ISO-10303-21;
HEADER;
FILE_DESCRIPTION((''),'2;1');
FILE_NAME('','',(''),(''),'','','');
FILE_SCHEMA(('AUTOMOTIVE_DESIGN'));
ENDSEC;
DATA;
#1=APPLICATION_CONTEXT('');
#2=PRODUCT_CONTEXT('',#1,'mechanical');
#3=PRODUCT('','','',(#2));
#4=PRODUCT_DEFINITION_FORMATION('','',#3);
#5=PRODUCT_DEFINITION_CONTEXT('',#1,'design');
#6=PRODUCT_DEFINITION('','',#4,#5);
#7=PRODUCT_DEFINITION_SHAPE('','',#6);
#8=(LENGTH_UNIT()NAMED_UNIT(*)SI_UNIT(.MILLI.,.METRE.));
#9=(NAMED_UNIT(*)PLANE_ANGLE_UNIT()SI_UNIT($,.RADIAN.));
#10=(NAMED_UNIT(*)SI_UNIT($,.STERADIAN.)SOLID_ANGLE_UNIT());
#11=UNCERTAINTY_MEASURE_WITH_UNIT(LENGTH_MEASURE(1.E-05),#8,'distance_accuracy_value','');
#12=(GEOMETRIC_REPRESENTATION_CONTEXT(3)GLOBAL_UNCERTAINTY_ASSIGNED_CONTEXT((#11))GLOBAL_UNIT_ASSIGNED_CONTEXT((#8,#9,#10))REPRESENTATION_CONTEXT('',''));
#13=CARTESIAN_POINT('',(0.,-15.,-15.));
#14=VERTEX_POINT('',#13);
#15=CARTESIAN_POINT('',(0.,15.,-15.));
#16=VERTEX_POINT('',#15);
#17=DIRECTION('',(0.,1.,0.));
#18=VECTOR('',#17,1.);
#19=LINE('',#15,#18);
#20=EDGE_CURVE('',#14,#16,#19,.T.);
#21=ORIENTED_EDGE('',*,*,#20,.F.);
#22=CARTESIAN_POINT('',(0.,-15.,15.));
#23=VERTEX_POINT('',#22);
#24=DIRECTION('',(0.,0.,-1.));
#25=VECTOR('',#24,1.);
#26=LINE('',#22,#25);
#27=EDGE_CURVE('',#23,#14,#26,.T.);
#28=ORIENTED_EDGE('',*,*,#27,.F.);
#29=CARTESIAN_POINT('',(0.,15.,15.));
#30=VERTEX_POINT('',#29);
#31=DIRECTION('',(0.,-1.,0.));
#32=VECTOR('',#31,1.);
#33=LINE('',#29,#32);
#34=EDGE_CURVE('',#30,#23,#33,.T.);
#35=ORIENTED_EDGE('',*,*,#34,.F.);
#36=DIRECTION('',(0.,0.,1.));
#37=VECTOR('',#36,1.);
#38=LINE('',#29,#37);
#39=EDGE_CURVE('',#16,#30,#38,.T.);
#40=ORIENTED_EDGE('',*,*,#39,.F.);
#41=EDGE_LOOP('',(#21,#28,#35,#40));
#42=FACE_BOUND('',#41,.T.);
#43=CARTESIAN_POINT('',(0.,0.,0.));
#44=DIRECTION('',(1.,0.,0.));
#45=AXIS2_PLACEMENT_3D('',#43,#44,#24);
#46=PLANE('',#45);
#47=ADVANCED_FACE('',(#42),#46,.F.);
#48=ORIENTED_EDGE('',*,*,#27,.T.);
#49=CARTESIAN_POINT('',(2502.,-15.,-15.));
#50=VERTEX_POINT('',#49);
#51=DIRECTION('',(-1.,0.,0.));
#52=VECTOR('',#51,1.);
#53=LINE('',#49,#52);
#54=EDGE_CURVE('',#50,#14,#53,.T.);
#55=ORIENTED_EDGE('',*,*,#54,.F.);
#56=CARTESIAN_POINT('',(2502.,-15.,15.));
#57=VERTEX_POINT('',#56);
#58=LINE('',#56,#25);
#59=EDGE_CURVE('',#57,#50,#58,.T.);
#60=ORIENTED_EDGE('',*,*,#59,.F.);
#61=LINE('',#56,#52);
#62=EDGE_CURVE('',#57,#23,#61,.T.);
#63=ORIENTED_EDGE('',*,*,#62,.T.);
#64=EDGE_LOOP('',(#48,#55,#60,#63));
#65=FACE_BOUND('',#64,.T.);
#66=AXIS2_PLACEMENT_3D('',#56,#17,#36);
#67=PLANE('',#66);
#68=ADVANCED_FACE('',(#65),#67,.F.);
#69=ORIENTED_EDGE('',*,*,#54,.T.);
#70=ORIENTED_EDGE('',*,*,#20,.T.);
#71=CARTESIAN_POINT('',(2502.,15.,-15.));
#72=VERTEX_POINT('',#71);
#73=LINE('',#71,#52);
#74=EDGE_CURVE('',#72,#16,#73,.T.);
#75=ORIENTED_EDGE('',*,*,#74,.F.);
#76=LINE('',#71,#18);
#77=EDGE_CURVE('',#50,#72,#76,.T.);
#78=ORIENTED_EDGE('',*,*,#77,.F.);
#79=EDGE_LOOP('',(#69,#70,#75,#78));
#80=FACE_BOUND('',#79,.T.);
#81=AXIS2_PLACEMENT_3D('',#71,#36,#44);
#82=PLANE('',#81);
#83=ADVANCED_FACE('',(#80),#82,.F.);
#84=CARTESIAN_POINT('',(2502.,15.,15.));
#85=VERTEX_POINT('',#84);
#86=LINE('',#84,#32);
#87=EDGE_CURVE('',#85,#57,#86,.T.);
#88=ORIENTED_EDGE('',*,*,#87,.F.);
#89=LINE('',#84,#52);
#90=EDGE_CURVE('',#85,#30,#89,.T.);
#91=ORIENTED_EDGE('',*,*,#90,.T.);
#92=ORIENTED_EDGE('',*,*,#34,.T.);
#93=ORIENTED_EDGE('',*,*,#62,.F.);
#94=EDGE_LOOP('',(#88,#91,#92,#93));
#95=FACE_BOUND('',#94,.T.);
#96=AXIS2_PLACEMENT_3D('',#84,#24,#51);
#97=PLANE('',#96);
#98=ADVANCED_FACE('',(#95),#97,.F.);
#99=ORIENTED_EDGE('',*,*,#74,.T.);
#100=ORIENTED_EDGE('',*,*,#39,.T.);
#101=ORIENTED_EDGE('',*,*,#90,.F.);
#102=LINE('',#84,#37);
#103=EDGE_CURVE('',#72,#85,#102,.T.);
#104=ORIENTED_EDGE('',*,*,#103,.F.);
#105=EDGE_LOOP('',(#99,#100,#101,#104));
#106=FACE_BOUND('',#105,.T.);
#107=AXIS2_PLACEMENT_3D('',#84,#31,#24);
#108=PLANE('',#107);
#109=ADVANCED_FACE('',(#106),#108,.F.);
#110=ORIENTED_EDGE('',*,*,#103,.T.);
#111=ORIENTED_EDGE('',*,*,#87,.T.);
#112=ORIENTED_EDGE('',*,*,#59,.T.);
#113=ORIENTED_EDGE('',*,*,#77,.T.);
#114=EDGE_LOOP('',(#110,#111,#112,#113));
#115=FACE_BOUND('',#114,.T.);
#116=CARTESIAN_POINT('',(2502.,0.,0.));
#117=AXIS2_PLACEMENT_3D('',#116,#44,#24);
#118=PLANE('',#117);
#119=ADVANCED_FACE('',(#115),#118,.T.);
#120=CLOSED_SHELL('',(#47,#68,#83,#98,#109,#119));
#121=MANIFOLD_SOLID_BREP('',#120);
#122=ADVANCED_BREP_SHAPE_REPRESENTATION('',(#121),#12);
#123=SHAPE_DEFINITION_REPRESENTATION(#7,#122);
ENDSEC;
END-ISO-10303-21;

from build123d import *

# Parameters (mm, degrees)
SKETCH_1_W      = 30
SKETCH_1_H      = 30
EXTRUDE_1_DEPTH = 2502


with BuildPart() as part:
    # 草图1 → 凸台-拉伸1 (new body)
    with BuildSketch(Plane(origin=(0, 0, 0), x_dir=(0, 0, -1), z_dir=(1, 0, 0))):
        Rectangle(SKETCH_1_W, SKETCH_1_H)
    extrude(amount=EXTRUDE_1_DEPTH)


solid = part.part
